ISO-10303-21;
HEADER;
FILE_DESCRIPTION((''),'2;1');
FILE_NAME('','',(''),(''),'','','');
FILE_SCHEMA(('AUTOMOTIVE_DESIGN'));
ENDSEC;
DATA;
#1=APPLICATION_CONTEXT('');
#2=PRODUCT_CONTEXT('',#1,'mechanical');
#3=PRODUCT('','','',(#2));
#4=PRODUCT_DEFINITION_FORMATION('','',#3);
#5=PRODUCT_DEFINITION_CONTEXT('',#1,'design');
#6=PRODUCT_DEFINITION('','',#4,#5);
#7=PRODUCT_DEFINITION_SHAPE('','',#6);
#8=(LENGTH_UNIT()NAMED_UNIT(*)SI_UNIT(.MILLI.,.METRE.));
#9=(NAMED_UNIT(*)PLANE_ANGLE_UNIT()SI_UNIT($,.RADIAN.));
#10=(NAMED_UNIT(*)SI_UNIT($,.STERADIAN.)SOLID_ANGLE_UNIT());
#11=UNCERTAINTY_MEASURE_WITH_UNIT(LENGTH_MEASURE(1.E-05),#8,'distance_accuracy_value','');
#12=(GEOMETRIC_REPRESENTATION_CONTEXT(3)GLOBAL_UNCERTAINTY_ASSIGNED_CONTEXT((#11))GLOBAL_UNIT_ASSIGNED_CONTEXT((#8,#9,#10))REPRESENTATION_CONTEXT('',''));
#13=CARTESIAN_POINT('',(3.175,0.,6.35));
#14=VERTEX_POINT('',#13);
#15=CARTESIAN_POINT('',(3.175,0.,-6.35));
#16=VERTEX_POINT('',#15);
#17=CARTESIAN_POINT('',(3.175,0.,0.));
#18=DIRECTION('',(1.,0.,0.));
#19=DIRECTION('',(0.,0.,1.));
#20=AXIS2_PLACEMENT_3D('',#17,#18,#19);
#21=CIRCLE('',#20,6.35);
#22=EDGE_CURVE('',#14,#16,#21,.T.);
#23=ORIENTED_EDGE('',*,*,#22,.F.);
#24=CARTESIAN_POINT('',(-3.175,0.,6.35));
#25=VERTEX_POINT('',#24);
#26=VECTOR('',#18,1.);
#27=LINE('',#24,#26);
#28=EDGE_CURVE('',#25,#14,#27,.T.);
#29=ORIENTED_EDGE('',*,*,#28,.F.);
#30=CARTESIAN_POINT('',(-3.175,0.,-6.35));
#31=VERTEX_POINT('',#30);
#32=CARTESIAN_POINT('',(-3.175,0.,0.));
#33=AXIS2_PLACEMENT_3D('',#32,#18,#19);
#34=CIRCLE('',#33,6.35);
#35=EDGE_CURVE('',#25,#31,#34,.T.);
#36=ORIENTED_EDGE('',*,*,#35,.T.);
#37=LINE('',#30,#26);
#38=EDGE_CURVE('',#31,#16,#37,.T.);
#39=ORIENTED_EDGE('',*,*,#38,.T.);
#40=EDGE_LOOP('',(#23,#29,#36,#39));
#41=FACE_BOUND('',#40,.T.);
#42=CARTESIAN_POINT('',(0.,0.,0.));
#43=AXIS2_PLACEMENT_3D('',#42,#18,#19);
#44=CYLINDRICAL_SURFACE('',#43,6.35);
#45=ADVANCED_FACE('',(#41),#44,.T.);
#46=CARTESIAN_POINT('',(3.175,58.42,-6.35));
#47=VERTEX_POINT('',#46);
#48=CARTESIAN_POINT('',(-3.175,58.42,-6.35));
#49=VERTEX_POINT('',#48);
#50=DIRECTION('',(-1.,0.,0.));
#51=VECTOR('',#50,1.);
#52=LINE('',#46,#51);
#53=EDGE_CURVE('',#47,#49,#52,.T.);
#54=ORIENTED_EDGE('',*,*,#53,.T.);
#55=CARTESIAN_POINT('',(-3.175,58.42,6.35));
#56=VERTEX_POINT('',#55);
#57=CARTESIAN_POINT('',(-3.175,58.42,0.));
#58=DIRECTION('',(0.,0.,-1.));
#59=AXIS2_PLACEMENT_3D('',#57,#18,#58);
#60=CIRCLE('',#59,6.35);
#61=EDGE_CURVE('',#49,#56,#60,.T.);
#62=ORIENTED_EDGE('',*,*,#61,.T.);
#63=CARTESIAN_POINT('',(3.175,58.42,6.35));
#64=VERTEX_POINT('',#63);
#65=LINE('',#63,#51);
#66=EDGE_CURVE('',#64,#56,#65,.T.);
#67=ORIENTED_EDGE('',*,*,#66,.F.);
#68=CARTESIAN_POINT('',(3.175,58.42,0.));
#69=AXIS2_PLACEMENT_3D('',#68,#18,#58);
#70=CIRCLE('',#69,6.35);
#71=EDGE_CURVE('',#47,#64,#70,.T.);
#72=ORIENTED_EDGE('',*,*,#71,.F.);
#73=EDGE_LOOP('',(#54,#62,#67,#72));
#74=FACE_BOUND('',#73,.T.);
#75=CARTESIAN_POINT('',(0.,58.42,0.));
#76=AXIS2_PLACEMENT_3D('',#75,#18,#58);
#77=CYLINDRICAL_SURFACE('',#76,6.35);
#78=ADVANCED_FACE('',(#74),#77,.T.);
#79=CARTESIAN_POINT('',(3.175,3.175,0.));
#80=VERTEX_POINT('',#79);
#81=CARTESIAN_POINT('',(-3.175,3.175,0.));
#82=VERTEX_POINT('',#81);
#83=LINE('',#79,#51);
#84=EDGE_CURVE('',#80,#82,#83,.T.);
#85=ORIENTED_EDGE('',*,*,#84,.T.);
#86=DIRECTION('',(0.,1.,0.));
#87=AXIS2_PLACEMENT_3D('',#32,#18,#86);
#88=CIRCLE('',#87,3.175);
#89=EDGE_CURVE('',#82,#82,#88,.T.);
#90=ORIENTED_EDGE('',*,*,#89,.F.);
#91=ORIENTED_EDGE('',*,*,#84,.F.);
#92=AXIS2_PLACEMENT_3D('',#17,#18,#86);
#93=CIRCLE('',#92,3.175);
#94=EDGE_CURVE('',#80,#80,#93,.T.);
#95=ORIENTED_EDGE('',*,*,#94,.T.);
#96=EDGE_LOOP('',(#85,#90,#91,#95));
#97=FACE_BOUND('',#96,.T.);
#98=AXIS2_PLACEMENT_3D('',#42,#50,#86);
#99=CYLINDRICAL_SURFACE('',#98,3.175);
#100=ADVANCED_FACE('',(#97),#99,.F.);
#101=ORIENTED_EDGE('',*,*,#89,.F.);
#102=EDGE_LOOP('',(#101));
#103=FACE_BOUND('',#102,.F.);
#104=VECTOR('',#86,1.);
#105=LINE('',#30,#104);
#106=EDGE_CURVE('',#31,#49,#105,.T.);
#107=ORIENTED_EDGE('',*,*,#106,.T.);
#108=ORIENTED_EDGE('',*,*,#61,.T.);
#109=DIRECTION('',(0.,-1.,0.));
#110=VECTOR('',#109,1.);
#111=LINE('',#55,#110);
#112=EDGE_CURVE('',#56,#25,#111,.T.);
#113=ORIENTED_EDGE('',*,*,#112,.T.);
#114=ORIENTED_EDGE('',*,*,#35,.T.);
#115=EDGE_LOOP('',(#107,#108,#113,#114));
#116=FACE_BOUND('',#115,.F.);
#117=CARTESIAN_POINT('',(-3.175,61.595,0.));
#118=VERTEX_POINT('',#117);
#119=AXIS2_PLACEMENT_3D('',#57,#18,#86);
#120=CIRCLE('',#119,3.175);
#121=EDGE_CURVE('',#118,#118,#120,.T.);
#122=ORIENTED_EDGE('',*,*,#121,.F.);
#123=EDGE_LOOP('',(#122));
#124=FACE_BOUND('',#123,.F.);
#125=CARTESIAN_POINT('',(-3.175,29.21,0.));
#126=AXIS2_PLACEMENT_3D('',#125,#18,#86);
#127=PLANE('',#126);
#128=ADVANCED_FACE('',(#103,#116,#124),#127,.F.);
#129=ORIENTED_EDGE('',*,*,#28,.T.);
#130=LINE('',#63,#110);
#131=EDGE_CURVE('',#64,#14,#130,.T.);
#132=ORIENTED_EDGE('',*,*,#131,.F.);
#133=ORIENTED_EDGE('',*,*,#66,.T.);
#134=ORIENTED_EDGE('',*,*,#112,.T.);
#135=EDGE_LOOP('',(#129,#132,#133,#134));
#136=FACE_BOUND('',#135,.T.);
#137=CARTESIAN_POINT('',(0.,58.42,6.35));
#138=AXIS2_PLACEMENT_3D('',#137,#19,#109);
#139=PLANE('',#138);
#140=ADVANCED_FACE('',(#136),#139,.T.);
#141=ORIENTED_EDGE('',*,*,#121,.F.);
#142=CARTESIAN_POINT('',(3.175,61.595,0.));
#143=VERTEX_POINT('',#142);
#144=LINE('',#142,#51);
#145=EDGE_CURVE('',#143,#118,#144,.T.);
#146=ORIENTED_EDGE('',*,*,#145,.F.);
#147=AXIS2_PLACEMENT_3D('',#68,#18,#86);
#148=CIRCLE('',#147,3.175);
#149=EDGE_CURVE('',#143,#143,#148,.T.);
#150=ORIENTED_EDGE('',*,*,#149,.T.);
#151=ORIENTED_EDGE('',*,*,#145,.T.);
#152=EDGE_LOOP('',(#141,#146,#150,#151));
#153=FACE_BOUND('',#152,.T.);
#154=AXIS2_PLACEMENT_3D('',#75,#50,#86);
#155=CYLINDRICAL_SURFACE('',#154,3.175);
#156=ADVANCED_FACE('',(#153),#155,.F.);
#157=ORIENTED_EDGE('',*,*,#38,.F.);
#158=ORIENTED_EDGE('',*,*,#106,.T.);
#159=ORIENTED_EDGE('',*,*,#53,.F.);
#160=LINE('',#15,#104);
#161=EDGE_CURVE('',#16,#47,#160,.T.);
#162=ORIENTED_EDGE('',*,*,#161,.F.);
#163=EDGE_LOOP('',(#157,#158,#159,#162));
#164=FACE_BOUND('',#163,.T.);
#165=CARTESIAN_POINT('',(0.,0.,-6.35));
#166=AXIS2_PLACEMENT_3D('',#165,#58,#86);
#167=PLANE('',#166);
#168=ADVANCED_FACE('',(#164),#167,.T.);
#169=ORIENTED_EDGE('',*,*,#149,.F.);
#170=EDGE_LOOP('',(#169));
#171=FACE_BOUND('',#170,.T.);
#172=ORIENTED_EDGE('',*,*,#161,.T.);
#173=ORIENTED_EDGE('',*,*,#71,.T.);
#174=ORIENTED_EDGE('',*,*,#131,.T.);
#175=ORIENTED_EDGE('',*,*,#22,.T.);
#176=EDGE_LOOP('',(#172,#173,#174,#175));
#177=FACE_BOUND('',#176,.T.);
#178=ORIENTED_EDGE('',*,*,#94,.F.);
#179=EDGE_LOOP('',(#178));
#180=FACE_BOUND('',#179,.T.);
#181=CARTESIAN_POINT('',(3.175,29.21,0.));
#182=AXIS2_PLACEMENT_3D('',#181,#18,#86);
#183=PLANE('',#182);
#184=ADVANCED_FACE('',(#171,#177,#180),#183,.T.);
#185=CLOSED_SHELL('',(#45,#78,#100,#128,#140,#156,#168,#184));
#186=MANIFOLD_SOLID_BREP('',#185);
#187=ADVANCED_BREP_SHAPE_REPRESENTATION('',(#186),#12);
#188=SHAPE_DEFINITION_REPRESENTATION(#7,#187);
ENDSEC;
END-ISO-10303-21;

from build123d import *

# Parameters (mm, degrees)
F0_R     = 3.175
F1_DEPTH = 3.175


with BuildPart() as f1:
    # F0 (on Right) → F1 (new body, symmetric)
    with BuildSketch(Plane.YZ):
        with BuildLine():
            Line((58.42, 6.35), (0, 6.35))
            ThreePointArc((0, 6.35), (-6.35, 0), (0, -6.35))
            Line((0, -6.35), (58.42, -6.35))
            ThreePointArc((58.42, -6.35), (64.77, 0), (58.42, 6.35))
        make_face()
        Circle(F0_R, mode=Mode.SUBTRACT)
        with Locations((58.42, 0)):
            Circle(F0_R, mode=Mode.SUBTRACT)
    extrude(amount=F1_DEPTH, both=True)


solid = f1.part
